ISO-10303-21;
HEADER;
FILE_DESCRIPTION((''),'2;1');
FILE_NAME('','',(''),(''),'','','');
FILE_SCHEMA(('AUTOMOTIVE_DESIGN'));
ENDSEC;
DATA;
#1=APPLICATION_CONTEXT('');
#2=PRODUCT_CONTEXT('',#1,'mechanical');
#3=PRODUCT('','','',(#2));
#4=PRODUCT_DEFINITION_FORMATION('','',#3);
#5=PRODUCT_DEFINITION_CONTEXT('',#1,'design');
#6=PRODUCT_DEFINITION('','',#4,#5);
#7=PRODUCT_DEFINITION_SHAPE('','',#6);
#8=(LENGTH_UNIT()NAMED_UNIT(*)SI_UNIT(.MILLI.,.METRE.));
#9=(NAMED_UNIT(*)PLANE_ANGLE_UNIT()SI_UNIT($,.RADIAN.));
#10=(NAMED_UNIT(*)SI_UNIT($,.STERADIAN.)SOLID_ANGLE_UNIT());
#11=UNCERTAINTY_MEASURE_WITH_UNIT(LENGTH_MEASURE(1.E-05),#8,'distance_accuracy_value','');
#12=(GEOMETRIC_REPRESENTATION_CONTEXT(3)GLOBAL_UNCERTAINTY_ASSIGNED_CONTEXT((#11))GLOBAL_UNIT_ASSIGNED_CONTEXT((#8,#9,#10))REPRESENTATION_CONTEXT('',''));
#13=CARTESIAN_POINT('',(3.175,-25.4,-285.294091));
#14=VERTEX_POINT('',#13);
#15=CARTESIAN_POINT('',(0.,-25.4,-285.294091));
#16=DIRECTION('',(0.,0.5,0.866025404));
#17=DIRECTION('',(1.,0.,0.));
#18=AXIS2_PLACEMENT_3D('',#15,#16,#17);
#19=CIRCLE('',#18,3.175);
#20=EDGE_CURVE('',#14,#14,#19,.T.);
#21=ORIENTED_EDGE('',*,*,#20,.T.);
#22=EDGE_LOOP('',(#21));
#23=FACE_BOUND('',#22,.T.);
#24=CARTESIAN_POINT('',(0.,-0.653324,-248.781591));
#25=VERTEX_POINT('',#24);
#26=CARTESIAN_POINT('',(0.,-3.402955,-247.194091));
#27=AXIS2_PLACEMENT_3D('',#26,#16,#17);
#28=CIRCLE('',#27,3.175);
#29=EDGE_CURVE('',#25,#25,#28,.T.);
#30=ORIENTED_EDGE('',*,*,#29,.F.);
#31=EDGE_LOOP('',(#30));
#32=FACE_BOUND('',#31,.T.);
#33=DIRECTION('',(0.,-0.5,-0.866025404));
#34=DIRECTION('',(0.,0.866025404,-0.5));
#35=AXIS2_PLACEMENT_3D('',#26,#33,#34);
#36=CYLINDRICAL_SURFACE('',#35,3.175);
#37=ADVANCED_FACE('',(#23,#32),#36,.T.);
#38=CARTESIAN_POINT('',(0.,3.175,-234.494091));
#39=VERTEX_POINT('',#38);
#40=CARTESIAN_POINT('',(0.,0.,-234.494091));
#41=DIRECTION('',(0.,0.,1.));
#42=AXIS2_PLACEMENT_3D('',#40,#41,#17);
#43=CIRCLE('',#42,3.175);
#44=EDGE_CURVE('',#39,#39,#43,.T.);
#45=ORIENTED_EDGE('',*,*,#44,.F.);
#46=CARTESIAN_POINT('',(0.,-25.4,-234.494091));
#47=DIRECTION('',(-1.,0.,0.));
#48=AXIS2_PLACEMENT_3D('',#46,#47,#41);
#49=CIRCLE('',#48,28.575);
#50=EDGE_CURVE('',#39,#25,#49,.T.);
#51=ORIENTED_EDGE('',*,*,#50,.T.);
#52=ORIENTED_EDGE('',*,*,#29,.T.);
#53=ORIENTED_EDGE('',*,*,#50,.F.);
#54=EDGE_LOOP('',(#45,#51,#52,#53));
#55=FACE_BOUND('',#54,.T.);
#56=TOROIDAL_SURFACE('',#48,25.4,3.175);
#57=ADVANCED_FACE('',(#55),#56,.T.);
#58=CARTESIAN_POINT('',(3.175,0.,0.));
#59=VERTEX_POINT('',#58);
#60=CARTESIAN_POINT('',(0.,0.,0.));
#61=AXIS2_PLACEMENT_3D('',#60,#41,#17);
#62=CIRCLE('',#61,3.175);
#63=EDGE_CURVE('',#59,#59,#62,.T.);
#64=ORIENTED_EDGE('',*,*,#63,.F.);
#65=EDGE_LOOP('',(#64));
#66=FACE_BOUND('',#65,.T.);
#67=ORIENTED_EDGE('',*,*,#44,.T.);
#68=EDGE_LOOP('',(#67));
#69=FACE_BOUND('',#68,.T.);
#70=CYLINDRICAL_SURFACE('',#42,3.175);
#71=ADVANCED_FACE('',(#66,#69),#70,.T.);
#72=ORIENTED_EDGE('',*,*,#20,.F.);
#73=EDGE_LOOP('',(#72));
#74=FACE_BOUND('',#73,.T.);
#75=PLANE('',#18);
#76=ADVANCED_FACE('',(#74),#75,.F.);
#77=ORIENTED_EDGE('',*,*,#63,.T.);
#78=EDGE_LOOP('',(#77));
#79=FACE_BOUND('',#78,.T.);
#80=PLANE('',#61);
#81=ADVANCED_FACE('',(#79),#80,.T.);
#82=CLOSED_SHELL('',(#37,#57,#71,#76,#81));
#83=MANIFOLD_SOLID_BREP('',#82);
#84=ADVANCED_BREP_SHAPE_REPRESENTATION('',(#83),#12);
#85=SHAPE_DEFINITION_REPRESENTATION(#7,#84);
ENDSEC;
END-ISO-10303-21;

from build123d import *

# Parameters (mm, degrees)
SKETCH2_R = 3.175


with BuildPart() as part:
    # Sweep1: sweep along a path in Sketch4
    with BuildLine(Plane(origin=(0, 0, 0), x_dir=(0, 0, -1), z_dir=(1, 0, 0))) as sweep1_path:
        Line((0, 0), (234.494090512, 0))
        ThreePointArc((234.494090512, 0), (241.068094258, -0.865484012), (247.194090512, -3.402954744))
        Line((247.194090512, -3.402954744), (285.294090512, -25.4))
    # Sketch2 → Sweep1 (sweep)
    with BuildSketch(Plane.XY):
        Circle(SKETCH2_R)
    sweep(path=sweep1_path.line)


solid = part.part
